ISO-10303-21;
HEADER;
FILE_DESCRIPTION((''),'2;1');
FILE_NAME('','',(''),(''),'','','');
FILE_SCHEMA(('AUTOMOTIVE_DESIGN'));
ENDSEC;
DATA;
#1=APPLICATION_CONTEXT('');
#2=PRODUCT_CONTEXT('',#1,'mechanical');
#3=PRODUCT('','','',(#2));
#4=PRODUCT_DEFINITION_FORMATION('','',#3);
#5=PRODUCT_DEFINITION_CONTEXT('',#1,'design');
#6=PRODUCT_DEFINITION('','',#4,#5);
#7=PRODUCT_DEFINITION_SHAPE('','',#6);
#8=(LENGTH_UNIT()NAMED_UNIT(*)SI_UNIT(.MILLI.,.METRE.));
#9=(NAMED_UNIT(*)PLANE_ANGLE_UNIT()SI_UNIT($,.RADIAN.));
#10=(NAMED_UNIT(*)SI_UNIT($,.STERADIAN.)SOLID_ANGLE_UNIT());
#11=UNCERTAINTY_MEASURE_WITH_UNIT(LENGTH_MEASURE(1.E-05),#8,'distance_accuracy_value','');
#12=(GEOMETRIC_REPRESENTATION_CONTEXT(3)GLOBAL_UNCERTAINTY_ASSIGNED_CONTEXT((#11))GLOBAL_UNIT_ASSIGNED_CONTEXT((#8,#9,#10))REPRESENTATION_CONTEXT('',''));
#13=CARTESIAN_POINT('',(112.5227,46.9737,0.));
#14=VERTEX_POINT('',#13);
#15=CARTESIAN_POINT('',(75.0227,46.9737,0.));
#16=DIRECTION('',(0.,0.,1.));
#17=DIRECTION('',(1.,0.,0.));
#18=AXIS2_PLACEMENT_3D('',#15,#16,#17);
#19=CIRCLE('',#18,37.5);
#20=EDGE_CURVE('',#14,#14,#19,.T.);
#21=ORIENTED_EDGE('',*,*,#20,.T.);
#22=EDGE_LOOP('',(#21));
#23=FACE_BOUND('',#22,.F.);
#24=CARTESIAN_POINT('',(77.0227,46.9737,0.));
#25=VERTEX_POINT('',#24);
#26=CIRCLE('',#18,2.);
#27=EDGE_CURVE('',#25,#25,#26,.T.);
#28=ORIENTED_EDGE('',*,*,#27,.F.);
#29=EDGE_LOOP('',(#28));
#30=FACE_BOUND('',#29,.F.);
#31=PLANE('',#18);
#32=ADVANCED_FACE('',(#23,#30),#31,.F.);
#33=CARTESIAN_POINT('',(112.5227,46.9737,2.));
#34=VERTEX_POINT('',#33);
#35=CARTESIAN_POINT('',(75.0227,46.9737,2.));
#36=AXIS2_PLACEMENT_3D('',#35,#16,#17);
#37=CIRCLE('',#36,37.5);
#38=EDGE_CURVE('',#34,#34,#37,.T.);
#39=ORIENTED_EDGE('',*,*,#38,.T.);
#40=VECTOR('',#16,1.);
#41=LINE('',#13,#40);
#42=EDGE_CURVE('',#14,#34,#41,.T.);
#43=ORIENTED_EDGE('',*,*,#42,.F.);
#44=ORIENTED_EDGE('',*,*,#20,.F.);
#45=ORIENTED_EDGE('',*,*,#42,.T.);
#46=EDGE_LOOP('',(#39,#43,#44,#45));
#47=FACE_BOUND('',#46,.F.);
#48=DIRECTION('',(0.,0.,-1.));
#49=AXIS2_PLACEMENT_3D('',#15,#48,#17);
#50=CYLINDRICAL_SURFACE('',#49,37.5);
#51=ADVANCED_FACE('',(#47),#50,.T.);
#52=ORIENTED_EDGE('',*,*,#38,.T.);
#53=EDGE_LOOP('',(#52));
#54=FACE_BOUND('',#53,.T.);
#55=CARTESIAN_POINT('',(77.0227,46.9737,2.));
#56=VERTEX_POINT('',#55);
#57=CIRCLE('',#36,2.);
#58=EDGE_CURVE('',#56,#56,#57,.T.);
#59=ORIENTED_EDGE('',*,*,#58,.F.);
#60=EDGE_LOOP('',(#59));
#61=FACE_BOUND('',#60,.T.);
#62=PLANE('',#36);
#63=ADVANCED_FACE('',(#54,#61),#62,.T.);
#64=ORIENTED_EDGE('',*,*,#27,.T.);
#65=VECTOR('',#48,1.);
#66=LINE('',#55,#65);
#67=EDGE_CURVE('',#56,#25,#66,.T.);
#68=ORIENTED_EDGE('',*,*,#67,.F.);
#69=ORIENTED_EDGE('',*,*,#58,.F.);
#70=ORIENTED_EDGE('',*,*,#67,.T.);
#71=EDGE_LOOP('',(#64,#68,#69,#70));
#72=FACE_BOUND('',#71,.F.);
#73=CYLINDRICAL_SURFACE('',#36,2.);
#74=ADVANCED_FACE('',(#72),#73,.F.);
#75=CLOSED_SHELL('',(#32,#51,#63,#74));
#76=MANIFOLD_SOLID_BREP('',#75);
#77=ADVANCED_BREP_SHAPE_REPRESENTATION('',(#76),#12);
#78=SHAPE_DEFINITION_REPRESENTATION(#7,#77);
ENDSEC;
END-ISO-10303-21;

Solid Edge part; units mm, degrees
sketch "Sketch1" plane through (0, 0, 0) normal (0, 0, 1) x (1, 0, 0)
  circle A0 centre (75.0227, 46.9737) radius 37.5
  dimension "D1" = 75
extrude "Protrusion1" add sketch "Sketch1" along normal blind 2
sketch "Sketch2" plane through (75.0227, 46.9737, 2) normal (0, 0, 1) x (1, 0, 0)
  circle A0 centre (0, 0) radius 2
extrude "Cutout1" cut sketch "Sketch2" against normal through all
